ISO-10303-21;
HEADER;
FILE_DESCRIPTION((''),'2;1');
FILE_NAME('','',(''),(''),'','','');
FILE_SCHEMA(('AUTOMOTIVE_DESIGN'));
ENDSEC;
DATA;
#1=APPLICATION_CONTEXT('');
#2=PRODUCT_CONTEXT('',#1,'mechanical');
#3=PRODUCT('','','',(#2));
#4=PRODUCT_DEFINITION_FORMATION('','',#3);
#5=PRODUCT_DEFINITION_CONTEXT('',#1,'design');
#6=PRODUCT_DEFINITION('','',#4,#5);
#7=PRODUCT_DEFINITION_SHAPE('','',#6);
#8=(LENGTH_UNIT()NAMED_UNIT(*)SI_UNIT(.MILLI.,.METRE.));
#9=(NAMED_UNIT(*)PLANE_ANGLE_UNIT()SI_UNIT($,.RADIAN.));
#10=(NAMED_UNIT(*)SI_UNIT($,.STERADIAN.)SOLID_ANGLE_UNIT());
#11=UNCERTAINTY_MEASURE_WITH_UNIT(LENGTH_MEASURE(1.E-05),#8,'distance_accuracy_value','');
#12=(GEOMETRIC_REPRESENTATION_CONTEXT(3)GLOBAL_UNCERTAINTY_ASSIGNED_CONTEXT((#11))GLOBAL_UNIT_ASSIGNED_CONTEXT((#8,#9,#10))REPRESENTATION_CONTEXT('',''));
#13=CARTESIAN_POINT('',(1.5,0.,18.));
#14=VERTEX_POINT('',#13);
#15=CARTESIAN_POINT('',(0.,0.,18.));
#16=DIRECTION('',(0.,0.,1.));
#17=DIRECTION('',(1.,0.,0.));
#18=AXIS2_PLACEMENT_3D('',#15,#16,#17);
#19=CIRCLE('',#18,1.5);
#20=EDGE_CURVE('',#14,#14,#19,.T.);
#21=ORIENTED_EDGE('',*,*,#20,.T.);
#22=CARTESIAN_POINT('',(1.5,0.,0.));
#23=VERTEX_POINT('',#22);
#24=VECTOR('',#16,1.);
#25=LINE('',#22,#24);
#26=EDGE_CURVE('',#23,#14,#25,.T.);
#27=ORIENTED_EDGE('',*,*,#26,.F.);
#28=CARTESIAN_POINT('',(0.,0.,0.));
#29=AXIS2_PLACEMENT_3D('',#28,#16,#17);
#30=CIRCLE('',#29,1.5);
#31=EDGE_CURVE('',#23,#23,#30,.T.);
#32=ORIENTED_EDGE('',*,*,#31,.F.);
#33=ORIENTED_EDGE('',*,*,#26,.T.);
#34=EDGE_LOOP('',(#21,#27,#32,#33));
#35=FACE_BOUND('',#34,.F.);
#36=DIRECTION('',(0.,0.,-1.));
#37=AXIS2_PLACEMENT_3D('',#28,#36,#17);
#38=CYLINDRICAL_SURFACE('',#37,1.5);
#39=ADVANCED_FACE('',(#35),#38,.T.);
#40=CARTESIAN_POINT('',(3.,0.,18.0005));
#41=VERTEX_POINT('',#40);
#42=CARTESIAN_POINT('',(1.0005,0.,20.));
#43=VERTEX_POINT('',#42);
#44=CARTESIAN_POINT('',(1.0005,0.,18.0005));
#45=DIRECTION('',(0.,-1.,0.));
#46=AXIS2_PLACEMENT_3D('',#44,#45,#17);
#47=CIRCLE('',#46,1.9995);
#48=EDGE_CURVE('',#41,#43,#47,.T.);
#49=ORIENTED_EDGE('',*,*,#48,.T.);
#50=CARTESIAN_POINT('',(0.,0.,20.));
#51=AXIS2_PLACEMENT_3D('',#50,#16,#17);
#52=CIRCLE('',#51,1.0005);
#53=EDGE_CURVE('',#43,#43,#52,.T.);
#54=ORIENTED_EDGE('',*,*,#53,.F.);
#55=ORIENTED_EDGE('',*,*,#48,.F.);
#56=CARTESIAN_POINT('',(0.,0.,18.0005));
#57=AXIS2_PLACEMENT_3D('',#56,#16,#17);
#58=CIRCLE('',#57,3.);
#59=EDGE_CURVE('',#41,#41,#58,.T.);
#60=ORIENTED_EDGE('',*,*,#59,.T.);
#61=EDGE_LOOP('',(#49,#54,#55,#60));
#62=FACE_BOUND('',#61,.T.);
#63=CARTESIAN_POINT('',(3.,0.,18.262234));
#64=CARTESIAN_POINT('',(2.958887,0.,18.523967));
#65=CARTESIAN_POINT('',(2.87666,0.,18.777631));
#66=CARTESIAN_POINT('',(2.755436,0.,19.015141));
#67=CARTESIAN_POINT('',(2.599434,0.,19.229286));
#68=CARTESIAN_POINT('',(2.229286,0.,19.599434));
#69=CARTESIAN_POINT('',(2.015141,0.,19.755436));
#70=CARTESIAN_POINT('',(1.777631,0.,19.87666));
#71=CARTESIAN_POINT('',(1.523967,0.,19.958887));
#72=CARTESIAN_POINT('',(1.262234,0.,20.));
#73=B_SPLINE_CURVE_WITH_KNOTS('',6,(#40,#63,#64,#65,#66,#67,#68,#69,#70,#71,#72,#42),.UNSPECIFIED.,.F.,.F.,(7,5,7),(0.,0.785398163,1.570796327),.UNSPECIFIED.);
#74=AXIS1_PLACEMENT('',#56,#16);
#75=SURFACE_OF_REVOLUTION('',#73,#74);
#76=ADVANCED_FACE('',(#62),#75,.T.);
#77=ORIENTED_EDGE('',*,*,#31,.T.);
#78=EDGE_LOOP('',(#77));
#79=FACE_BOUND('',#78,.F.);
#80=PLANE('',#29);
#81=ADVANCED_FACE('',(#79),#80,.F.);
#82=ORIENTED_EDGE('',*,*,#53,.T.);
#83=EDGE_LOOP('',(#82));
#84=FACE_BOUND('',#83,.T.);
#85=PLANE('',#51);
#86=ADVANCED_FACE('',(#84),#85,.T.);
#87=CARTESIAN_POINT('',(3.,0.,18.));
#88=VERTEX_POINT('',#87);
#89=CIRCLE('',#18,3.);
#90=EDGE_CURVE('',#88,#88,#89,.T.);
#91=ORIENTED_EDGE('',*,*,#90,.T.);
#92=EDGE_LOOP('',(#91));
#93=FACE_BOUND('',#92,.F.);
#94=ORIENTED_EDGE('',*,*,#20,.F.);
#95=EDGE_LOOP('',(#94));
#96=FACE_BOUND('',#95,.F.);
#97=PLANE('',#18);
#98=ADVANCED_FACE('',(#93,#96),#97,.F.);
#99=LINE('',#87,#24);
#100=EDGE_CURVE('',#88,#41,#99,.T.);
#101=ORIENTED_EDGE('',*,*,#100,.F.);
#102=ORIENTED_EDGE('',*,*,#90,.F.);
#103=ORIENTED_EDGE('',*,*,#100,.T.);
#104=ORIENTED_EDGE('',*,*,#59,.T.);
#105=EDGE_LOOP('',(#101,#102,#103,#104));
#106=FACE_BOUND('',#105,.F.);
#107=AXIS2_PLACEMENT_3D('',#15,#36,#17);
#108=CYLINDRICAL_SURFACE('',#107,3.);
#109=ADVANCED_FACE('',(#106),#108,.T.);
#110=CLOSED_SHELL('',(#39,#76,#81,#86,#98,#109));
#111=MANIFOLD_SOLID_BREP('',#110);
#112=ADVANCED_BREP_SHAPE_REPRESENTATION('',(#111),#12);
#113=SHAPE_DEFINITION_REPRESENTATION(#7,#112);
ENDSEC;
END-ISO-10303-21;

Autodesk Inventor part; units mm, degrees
ref_plane "YZ Plane" through (0, 0, 0) normal (1, 0, 0) x (0, 1, 0)
ref_plane "XZ Plane" through (0, 0, 0) normal (0, 1, 0) x (-1, 0, 0)
ref_plane "XY Plane" through (0, 0, 0) normal (0, 0, 1) x (1, 0, 0)
sketch "スケッチ1" plane through (0, 0, 0) normal (0, 0, 1) x (1, 0, 0)
  circle A0 centre (0, 0) radius 1.5
  dimension "d0" = 3
extrude "押し出し1" add sketch "スケッチ1" along normal blind 18
sketch "スケッチ2" plane through (0, 0, 18) normal (0, 0, 1) x (1, 0, 0)
  circle A0 centre (0, 0) radius 1.5 projected
  circle A1 centre (0, 0) radius 3
  dimension "d3" = 6
extrude "押し出し2" add sketch "スケッチ2" along normal blind 2 contours A0 | A1
fillet "フィレット1" radius 2 1 edges at (-3, 0, 20)
properties part number "M3ボタンボルト8" material "鋼、高強度、低合金"
